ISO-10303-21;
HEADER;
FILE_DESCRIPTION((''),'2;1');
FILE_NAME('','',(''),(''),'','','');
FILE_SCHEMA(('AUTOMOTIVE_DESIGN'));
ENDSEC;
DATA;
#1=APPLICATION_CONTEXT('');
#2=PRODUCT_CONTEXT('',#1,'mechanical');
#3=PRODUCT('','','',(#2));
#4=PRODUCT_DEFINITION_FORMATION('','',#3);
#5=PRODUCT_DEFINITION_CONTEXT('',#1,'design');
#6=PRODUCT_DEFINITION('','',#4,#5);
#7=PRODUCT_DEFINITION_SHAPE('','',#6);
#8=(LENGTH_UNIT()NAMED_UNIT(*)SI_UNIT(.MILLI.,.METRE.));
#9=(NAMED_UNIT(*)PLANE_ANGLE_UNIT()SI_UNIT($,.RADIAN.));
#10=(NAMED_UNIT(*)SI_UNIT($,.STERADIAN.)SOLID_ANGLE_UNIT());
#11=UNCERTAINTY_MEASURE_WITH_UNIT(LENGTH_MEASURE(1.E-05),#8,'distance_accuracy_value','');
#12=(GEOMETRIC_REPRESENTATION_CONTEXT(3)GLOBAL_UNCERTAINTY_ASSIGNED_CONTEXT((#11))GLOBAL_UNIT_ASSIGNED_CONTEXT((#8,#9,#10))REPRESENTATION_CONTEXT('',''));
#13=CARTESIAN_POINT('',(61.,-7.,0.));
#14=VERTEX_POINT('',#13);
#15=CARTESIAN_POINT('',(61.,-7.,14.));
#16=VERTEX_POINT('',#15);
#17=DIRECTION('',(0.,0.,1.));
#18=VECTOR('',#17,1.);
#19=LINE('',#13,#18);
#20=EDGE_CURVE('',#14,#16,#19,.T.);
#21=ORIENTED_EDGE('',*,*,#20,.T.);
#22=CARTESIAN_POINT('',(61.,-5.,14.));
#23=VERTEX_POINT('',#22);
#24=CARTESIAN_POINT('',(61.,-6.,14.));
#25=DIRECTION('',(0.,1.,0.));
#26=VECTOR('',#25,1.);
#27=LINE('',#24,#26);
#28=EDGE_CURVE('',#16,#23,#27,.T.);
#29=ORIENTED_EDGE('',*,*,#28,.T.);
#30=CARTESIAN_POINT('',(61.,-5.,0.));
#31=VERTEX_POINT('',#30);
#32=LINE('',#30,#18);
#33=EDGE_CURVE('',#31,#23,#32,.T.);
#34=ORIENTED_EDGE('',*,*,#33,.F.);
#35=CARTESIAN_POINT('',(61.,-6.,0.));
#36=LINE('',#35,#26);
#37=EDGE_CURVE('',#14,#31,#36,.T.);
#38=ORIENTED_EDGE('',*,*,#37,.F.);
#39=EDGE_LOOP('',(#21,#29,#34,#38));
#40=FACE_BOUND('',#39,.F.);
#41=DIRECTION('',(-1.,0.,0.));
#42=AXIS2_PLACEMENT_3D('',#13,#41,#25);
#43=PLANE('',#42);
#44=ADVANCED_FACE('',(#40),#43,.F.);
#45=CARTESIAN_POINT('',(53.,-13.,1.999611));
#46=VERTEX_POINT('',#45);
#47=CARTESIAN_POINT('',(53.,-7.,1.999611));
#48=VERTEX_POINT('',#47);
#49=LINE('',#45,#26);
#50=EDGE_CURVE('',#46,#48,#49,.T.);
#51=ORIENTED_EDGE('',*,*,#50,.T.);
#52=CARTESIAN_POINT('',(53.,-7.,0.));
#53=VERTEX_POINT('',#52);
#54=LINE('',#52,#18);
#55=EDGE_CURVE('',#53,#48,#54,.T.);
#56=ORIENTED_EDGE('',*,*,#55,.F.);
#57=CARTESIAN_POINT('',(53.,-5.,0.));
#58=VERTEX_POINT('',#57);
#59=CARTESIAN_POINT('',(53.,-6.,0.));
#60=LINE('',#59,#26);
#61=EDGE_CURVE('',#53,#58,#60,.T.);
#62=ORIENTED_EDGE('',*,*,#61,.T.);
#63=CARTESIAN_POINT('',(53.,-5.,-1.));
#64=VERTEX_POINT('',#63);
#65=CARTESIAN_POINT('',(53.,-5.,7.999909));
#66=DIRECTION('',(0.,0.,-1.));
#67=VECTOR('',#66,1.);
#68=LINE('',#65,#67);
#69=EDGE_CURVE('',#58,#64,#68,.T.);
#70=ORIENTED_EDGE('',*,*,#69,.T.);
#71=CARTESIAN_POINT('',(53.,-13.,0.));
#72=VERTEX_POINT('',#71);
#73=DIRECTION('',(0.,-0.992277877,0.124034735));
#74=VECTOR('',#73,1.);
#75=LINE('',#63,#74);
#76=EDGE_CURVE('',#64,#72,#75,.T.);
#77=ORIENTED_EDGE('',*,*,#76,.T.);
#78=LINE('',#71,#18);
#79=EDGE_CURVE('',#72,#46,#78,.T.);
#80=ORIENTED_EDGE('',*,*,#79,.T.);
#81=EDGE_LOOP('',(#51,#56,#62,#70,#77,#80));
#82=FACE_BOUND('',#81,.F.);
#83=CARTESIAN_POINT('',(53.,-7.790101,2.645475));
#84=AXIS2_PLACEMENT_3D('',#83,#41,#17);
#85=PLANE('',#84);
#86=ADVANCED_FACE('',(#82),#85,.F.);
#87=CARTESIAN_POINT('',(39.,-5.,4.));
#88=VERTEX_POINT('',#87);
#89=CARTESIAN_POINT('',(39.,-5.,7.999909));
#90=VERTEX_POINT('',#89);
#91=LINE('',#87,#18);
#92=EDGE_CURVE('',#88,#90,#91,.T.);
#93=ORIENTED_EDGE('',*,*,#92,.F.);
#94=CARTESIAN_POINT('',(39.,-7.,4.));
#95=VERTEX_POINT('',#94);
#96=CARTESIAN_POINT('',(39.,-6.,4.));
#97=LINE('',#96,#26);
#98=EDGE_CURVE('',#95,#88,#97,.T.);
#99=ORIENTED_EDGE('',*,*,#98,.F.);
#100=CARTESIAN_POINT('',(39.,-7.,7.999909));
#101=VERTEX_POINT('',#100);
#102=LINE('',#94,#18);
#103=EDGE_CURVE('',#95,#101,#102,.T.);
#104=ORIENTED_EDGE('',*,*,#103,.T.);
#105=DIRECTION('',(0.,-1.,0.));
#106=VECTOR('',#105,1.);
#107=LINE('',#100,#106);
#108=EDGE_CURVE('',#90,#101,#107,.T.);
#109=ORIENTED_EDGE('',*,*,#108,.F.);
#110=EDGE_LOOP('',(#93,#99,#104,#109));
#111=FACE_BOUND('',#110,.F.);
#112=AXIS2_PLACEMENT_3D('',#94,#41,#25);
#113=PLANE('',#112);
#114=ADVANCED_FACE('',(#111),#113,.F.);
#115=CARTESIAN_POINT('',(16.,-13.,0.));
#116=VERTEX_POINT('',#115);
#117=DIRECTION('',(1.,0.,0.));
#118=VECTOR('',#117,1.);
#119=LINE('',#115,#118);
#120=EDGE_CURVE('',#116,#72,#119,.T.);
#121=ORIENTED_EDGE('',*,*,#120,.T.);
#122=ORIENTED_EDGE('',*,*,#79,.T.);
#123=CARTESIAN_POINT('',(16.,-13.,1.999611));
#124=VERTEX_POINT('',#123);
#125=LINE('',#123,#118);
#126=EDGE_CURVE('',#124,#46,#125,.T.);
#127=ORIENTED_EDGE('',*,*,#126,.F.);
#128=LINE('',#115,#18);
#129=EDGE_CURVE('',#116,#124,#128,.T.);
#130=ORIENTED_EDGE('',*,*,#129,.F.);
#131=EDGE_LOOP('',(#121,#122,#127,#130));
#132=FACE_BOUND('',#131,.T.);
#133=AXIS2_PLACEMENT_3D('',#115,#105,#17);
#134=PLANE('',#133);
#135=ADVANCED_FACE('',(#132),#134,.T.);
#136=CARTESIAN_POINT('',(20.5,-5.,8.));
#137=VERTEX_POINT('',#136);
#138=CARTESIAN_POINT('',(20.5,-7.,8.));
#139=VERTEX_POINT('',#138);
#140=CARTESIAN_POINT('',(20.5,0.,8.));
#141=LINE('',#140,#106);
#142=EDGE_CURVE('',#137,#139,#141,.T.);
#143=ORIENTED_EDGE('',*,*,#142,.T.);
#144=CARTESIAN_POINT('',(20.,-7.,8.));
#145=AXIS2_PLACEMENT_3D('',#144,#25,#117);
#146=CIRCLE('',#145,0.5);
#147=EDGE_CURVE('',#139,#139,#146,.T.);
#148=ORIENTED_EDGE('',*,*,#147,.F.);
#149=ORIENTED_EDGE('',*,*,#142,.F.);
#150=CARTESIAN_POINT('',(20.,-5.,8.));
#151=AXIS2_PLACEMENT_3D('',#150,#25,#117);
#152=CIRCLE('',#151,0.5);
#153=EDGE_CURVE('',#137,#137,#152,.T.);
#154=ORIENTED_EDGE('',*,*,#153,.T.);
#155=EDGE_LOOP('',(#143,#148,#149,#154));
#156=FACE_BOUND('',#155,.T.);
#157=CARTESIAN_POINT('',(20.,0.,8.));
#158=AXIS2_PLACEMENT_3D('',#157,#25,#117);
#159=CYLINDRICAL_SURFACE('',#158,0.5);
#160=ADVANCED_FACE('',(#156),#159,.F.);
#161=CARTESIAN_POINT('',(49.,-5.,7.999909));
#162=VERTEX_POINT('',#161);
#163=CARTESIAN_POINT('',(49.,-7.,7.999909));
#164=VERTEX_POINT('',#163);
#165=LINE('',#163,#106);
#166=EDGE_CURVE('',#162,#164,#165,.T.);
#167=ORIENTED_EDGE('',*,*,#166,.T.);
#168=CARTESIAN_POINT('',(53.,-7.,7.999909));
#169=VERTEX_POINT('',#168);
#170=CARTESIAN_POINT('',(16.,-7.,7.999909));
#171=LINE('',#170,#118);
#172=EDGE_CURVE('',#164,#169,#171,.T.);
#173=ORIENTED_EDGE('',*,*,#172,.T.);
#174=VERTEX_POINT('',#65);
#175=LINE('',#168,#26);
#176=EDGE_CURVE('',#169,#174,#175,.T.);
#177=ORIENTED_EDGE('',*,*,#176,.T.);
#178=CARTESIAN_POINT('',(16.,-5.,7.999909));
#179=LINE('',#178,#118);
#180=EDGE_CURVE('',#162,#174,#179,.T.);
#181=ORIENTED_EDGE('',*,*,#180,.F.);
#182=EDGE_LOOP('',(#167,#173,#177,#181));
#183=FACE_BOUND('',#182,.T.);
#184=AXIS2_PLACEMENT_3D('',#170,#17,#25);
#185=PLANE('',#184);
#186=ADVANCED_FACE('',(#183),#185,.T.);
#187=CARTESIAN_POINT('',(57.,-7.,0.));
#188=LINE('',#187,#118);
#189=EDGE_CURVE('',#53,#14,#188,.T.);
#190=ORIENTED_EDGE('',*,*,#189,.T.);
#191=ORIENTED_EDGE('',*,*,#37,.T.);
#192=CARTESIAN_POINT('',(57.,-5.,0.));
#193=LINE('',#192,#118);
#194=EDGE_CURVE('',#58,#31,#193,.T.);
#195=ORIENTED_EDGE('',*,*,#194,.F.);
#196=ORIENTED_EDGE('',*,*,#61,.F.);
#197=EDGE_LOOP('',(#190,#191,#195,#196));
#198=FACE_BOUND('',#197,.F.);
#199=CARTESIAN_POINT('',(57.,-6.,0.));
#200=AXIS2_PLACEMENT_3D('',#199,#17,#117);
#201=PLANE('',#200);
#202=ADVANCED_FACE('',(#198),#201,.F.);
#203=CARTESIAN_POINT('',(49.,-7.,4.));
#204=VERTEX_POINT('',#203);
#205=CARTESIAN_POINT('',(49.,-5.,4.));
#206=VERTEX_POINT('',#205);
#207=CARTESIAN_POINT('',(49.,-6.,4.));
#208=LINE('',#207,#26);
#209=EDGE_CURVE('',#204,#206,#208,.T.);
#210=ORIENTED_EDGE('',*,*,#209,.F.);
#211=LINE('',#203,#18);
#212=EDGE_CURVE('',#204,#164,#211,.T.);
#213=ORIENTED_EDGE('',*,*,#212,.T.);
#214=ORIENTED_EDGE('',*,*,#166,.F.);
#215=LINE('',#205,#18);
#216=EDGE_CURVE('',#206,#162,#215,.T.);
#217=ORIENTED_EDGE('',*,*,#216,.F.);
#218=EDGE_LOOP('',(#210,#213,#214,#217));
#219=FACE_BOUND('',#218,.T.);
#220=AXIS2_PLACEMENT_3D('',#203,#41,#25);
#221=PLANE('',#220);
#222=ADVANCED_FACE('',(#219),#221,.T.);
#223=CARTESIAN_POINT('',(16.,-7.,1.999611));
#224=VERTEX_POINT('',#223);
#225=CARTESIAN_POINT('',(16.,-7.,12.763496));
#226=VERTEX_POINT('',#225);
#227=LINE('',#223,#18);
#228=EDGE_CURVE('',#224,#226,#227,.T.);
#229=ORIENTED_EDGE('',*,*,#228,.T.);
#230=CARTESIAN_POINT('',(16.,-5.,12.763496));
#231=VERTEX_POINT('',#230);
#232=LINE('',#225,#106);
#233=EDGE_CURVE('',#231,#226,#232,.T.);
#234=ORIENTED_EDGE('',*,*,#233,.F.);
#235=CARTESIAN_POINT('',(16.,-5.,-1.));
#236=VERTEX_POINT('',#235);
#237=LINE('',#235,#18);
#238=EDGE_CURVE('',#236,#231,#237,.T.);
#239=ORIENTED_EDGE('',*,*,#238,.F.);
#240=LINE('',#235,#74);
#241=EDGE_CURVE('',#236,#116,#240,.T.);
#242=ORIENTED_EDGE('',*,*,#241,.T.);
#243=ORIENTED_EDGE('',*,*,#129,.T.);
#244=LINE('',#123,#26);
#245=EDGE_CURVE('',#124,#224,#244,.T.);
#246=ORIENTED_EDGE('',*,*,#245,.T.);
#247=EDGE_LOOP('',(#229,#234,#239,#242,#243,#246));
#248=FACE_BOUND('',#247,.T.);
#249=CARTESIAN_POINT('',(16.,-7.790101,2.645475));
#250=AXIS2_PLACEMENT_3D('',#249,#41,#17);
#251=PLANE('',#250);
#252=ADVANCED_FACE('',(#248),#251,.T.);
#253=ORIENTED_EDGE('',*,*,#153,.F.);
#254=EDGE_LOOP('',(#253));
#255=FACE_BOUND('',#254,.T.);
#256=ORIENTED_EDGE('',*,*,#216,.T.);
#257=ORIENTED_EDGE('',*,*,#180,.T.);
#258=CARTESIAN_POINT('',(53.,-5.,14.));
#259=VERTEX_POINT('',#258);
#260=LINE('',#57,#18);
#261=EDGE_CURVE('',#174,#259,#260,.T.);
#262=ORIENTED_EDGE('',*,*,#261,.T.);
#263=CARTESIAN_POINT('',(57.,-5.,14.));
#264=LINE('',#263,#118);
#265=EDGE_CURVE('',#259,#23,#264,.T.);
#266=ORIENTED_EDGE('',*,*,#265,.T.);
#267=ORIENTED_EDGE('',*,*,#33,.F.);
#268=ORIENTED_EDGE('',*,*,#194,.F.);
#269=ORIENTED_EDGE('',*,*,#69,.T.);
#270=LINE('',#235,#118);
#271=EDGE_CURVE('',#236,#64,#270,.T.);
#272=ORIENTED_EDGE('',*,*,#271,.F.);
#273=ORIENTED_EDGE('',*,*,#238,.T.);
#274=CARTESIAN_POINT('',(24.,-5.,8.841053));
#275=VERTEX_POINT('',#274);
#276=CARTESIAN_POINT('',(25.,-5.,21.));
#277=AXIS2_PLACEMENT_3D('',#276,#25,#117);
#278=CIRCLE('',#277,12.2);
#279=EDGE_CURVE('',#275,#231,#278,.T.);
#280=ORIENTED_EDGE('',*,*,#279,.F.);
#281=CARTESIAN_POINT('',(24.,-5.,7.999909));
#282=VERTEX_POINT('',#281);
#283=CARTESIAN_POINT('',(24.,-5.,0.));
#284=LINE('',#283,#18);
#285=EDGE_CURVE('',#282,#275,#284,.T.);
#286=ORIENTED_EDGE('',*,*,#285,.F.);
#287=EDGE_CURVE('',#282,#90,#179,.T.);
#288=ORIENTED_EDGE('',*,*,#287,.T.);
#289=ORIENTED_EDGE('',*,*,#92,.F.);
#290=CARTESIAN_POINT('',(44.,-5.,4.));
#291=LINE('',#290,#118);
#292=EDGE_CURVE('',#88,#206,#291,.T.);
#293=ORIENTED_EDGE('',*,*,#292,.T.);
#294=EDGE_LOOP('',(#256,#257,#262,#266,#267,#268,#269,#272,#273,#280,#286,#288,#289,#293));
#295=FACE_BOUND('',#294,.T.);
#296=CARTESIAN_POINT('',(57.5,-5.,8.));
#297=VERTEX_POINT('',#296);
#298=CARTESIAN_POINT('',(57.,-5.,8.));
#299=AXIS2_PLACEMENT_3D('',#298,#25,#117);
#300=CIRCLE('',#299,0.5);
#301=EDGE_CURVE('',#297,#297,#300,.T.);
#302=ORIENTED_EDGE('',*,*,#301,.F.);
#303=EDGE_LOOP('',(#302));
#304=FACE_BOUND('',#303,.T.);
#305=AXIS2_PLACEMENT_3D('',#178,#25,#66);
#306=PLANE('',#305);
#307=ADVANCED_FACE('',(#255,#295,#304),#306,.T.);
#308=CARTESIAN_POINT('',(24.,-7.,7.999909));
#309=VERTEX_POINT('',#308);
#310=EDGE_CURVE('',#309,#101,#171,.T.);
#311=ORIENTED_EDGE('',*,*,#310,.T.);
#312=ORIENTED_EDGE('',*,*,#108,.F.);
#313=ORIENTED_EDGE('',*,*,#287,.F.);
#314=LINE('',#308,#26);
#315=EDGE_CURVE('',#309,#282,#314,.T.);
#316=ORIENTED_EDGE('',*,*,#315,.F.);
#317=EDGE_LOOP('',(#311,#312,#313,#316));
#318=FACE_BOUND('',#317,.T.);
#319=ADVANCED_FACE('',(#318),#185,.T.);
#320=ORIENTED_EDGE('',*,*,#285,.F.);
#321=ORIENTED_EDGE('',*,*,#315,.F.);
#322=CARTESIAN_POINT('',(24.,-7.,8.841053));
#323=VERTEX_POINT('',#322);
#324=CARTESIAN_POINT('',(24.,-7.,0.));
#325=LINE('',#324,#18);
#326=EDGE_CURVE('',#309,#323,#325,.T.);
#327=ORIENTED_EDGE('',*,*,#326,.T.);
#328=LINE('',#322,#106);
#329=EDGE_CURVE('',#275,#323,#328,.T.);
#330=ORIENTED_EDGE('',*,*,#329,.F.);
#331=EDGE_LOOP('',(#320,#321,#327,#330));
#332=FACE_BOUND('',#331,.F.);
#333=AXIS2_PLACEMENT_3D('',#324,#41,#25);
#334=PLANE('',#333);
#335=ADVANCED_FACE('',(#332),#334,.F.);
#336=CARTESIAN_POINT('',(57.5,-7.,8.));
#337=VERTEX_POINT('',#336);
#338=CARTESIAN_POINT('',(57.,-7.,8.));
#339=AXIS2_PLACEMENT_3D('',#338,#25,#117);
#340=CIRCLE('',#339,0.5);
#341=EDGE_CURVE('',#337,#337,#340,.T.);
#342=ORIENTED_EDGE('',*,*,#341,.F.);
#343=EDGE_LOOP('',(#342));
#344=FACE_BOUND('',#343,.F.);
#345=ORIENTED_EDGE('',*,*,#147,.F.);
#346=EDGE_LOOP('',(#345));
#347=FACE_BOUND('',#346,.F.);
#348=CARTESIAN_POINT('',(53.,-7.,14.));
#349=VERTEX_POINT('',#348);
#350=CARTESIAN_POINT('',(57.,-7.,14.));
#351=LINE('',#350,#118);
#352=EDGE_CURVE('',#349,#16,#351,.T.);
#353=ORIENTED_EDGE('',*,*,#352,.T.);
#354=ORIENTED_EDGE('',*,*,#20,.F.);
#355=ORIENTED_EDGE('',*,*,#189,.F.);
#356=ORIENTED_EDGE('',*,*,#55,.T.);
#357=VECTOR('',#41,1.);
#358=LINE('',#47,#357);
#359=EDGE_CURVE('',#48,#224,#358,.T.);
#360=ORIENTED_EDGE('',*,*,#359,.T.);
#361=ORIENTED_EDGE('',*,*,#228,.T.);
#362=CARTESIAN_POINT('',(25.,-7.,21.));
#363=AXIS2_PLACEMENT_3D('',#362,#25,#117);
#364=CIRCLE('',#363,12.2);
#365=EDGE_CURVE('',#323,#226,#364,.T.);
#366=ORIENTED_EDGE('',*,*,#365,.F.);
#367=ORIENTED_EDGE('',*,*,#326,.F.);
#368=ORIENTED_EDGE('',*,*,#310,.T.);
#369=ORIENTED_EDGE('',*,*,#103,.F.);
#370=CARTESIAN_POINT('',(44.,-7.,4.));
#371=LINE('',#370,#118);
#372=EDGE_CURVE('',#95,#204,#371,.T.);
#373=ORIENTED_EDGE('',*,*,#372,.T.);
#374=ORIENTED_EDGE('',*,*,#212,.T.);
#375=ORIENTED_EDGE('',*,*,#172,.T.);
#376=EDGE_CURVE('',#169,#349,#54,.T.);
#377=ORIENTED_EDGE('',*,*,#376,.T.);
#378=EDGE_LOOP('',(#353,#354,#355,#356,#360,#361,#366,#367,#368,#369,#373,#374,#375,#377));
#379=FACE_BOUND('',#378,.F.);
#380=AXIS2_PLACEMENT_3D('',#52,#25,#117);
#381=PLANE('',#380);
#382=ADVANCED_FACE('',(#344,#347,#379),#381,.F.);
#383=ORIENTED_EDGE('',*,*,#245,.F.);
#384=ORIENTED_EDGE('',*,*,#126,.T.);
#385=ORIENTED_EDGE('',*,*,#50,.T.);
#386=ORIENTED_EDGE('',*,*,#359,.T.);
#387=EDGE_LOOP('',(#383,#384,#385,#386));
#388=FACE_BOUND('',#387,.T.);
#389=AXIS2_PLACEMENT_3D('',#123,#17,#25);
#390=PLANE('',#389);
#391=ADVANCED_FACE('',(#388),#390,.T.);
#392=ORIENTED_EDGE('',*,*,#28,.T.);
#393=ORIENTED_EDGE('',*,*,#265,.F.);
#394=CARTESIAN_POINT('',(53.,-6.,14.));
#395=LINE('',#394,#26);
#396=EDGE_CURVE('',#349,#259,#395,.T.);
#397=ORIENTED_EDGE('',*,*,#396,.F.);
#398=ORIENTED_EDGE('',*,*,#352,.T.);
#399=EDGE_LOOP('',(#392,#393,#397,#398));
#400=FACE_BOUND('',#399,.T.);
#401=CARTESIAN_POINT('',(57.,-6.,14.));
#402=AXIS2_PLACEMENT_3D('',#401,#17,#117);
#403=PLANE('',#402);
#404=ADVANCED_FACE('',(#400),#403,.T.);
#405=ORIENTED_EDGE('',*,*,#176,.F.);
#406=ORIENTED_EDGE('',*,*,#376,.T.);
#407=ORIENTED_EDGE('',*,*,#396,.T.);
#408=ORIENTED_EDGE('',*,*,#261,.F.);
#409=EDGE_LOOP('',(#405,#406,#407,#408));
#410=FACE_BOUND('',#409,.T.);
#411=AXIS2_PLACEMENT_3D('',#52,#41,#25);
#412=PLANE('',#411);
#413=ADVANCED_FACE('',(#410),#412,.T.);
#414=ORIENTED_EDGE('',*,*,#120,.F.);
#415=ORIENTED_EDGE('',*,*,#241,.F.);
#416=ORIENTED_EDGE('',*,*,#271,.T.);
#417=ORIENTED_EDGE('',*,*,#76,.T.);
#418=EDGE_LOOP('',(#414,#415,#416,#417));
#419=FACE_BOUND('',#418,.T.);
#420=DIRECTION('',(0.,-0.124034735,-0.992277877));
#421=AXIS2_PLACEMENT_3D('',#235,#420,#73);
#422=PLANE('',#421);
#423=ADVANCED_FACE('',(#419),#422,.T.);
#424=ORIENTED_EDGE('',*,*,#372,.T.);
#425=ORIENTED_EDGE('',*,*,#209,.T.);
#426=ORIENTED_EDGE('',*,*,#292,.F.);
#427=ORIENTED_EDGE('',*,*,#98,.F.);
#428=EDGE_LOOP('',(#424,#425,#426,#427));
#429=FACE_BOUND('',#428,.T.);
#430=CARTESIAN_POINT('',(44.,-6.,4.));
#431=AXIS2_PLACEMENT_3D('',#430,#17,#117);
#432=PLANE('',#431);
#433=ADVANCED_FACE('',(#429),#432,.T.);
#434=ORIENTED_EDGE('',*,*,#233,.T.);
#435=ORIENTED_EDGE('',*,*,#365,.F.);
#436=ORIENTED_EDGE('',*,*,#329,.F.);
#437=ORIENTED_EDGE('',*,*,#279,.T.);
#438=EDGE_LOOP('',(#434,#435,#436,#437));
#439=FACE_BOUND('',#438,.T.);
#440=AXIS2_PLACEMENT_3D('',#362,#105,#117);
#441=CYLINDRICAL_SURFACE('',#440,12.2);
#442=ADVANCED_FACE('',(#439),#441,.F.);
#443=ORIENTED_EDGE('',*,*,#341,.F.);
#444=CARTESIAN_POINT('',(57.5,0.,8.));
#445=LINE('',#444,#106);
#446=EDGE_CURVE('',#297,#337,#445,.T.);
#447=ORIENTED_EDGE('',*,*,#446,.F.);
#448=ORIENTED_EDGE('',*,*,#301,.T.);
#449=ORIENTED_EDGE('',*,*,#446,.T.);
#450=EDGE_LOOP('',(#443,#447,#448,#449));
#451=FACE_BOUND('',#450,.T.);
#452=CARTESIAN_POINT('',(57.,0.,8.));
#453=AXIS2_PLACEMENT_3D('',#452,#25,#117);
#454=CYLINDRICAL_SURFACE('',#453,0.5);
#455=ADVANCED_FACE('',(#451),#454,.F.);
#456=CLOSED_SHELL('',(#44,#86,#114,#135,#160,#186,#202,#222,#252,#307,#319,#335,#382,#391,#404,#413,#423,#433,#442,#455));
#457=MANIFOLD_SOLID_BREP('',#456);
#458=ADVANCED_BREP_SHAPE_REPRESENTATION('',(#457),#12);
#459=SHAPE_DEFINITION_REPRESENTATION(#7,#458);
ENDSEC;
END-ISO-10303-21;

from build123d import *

# Parameters (mm, degrees)
CYLINDER050_R     = 12.2
CYLINDER050_DEPTH = 2
CYLINDER003_R     = 0.5
CYLINDER003_DEPTH = 10
CYLINDER004_R     = 0.5
CYLINDER004_DEPTH = 10
BOX003_W          = 8
BOX003_H          = 2
BOX003_DEPTH      = 14
BOX004_W          = 10
BOX004_H          = 2
BOX004_DEPTH      = 4
PAD017_DEPTH      = 37
BOX002_W          = 8
BOX002_H          = 2
BOX002_DEPTH      = 14


with BuildPart() as cylinder050:
    # Cylinder050 → Cylinder050 (new body)
    with BuildSketch(Plane(origin=(25, -7, 21), x_dir=(1, 0, 0), z_dir=(0, 1, 0))):
        Circle(CYLINDER050_R)
    extrude(amount=CYLINDER050_DEPTH)


with BuildPart() as cylinder003:
    # Cylinder003 → Cylinder003 (new body)
    with BuildSketch(Plane(origin=(57, 0, 8), x_dir=(1, 0, 0), z_dir=(0, -1, 0))):
        Circle(CYLINDER003_R)
    extrude(amount=CYLINDER003_DEPTH)


with BuildPart() as fusion007:
    # Cylinder004 → Cylinder004 (new body)
    with BuildSketch(Plane(origin=(20, 0, 8), x_dir=(1, 0, 0), z_dir=(0, -1, 0))):
        Circle(CYLINDER004_R)
    extrude(amount=CYLINDER004_DEPTH)

    # Fusion007: union Cylinder003
    add(cylinder003.part)


with BuildPart() as cube003:
    # Box003 → Box003 (new body)
    with BuildSketch(Plane(origin=(16, -7, 0), x_dir=(1, 0, 0), z_dir=(0, 0, 1))):
        with Locations((4, 1)):
            Rectangle(BOX003_W, BOX003_H)
    extrude(amount=BOX003_DEPTH)


with BuildPart() as cube004:
    # Box004 → Box004 (new body)
    with BuildSketch(Plane(origin=(39, -7, 4), x_dir=(1, 0, 0), z_dir=(0, 0, 1))):
        with Locations((5, 1)):
            Rectangle(BOX004_W, BOX004_H)
    extrude(amount=BOX004_DEPTH)


with BuildPart() as cut002:
    # Sketch152 → Pad017 (new body)
    with BuildSketch(Plane.ZY):
        Polygon((-1, -5), (0, -13), (1.999611, -13), (1.999611, -7), (7.999909, -7), (7.999909, -5), align=None)
    extrude(amount=-PAD017_DEPTH)


with BuildPart() as cut002_1:
    # Body015 placement: moved
    add(cut002.part.moved(Location((16, 0, 0))))

    # Cut002: cut Cube004
    add(cube004.part, mode=Mode.SUBTRACT)


with BuildPart() as mountclip2:
    # Box002 → Box002 (new body)
    with BuildSketch(Plane(origin=(53, -7, 0), x_dir=(1, 0, 0), z_dir=(0, 0, 1))):
        with Locations((4, 1)):
            Rectangle(BOX002_W, BOX002_H)
    extrude(amount=BOX002_DEPTH)

    # Fusion006: union Cube003, Cut002
    add(cube003.part)
    add(cut002_1.part)

    # Cut003: cut Fusion007
    add(fusion007.part, mode=Mode.SUBTRACT)

    # Cut026: cut Cylinder050
    add(cylinder050.part, mode=Mode.SUBTRACT)


solid = mountclip2.part
